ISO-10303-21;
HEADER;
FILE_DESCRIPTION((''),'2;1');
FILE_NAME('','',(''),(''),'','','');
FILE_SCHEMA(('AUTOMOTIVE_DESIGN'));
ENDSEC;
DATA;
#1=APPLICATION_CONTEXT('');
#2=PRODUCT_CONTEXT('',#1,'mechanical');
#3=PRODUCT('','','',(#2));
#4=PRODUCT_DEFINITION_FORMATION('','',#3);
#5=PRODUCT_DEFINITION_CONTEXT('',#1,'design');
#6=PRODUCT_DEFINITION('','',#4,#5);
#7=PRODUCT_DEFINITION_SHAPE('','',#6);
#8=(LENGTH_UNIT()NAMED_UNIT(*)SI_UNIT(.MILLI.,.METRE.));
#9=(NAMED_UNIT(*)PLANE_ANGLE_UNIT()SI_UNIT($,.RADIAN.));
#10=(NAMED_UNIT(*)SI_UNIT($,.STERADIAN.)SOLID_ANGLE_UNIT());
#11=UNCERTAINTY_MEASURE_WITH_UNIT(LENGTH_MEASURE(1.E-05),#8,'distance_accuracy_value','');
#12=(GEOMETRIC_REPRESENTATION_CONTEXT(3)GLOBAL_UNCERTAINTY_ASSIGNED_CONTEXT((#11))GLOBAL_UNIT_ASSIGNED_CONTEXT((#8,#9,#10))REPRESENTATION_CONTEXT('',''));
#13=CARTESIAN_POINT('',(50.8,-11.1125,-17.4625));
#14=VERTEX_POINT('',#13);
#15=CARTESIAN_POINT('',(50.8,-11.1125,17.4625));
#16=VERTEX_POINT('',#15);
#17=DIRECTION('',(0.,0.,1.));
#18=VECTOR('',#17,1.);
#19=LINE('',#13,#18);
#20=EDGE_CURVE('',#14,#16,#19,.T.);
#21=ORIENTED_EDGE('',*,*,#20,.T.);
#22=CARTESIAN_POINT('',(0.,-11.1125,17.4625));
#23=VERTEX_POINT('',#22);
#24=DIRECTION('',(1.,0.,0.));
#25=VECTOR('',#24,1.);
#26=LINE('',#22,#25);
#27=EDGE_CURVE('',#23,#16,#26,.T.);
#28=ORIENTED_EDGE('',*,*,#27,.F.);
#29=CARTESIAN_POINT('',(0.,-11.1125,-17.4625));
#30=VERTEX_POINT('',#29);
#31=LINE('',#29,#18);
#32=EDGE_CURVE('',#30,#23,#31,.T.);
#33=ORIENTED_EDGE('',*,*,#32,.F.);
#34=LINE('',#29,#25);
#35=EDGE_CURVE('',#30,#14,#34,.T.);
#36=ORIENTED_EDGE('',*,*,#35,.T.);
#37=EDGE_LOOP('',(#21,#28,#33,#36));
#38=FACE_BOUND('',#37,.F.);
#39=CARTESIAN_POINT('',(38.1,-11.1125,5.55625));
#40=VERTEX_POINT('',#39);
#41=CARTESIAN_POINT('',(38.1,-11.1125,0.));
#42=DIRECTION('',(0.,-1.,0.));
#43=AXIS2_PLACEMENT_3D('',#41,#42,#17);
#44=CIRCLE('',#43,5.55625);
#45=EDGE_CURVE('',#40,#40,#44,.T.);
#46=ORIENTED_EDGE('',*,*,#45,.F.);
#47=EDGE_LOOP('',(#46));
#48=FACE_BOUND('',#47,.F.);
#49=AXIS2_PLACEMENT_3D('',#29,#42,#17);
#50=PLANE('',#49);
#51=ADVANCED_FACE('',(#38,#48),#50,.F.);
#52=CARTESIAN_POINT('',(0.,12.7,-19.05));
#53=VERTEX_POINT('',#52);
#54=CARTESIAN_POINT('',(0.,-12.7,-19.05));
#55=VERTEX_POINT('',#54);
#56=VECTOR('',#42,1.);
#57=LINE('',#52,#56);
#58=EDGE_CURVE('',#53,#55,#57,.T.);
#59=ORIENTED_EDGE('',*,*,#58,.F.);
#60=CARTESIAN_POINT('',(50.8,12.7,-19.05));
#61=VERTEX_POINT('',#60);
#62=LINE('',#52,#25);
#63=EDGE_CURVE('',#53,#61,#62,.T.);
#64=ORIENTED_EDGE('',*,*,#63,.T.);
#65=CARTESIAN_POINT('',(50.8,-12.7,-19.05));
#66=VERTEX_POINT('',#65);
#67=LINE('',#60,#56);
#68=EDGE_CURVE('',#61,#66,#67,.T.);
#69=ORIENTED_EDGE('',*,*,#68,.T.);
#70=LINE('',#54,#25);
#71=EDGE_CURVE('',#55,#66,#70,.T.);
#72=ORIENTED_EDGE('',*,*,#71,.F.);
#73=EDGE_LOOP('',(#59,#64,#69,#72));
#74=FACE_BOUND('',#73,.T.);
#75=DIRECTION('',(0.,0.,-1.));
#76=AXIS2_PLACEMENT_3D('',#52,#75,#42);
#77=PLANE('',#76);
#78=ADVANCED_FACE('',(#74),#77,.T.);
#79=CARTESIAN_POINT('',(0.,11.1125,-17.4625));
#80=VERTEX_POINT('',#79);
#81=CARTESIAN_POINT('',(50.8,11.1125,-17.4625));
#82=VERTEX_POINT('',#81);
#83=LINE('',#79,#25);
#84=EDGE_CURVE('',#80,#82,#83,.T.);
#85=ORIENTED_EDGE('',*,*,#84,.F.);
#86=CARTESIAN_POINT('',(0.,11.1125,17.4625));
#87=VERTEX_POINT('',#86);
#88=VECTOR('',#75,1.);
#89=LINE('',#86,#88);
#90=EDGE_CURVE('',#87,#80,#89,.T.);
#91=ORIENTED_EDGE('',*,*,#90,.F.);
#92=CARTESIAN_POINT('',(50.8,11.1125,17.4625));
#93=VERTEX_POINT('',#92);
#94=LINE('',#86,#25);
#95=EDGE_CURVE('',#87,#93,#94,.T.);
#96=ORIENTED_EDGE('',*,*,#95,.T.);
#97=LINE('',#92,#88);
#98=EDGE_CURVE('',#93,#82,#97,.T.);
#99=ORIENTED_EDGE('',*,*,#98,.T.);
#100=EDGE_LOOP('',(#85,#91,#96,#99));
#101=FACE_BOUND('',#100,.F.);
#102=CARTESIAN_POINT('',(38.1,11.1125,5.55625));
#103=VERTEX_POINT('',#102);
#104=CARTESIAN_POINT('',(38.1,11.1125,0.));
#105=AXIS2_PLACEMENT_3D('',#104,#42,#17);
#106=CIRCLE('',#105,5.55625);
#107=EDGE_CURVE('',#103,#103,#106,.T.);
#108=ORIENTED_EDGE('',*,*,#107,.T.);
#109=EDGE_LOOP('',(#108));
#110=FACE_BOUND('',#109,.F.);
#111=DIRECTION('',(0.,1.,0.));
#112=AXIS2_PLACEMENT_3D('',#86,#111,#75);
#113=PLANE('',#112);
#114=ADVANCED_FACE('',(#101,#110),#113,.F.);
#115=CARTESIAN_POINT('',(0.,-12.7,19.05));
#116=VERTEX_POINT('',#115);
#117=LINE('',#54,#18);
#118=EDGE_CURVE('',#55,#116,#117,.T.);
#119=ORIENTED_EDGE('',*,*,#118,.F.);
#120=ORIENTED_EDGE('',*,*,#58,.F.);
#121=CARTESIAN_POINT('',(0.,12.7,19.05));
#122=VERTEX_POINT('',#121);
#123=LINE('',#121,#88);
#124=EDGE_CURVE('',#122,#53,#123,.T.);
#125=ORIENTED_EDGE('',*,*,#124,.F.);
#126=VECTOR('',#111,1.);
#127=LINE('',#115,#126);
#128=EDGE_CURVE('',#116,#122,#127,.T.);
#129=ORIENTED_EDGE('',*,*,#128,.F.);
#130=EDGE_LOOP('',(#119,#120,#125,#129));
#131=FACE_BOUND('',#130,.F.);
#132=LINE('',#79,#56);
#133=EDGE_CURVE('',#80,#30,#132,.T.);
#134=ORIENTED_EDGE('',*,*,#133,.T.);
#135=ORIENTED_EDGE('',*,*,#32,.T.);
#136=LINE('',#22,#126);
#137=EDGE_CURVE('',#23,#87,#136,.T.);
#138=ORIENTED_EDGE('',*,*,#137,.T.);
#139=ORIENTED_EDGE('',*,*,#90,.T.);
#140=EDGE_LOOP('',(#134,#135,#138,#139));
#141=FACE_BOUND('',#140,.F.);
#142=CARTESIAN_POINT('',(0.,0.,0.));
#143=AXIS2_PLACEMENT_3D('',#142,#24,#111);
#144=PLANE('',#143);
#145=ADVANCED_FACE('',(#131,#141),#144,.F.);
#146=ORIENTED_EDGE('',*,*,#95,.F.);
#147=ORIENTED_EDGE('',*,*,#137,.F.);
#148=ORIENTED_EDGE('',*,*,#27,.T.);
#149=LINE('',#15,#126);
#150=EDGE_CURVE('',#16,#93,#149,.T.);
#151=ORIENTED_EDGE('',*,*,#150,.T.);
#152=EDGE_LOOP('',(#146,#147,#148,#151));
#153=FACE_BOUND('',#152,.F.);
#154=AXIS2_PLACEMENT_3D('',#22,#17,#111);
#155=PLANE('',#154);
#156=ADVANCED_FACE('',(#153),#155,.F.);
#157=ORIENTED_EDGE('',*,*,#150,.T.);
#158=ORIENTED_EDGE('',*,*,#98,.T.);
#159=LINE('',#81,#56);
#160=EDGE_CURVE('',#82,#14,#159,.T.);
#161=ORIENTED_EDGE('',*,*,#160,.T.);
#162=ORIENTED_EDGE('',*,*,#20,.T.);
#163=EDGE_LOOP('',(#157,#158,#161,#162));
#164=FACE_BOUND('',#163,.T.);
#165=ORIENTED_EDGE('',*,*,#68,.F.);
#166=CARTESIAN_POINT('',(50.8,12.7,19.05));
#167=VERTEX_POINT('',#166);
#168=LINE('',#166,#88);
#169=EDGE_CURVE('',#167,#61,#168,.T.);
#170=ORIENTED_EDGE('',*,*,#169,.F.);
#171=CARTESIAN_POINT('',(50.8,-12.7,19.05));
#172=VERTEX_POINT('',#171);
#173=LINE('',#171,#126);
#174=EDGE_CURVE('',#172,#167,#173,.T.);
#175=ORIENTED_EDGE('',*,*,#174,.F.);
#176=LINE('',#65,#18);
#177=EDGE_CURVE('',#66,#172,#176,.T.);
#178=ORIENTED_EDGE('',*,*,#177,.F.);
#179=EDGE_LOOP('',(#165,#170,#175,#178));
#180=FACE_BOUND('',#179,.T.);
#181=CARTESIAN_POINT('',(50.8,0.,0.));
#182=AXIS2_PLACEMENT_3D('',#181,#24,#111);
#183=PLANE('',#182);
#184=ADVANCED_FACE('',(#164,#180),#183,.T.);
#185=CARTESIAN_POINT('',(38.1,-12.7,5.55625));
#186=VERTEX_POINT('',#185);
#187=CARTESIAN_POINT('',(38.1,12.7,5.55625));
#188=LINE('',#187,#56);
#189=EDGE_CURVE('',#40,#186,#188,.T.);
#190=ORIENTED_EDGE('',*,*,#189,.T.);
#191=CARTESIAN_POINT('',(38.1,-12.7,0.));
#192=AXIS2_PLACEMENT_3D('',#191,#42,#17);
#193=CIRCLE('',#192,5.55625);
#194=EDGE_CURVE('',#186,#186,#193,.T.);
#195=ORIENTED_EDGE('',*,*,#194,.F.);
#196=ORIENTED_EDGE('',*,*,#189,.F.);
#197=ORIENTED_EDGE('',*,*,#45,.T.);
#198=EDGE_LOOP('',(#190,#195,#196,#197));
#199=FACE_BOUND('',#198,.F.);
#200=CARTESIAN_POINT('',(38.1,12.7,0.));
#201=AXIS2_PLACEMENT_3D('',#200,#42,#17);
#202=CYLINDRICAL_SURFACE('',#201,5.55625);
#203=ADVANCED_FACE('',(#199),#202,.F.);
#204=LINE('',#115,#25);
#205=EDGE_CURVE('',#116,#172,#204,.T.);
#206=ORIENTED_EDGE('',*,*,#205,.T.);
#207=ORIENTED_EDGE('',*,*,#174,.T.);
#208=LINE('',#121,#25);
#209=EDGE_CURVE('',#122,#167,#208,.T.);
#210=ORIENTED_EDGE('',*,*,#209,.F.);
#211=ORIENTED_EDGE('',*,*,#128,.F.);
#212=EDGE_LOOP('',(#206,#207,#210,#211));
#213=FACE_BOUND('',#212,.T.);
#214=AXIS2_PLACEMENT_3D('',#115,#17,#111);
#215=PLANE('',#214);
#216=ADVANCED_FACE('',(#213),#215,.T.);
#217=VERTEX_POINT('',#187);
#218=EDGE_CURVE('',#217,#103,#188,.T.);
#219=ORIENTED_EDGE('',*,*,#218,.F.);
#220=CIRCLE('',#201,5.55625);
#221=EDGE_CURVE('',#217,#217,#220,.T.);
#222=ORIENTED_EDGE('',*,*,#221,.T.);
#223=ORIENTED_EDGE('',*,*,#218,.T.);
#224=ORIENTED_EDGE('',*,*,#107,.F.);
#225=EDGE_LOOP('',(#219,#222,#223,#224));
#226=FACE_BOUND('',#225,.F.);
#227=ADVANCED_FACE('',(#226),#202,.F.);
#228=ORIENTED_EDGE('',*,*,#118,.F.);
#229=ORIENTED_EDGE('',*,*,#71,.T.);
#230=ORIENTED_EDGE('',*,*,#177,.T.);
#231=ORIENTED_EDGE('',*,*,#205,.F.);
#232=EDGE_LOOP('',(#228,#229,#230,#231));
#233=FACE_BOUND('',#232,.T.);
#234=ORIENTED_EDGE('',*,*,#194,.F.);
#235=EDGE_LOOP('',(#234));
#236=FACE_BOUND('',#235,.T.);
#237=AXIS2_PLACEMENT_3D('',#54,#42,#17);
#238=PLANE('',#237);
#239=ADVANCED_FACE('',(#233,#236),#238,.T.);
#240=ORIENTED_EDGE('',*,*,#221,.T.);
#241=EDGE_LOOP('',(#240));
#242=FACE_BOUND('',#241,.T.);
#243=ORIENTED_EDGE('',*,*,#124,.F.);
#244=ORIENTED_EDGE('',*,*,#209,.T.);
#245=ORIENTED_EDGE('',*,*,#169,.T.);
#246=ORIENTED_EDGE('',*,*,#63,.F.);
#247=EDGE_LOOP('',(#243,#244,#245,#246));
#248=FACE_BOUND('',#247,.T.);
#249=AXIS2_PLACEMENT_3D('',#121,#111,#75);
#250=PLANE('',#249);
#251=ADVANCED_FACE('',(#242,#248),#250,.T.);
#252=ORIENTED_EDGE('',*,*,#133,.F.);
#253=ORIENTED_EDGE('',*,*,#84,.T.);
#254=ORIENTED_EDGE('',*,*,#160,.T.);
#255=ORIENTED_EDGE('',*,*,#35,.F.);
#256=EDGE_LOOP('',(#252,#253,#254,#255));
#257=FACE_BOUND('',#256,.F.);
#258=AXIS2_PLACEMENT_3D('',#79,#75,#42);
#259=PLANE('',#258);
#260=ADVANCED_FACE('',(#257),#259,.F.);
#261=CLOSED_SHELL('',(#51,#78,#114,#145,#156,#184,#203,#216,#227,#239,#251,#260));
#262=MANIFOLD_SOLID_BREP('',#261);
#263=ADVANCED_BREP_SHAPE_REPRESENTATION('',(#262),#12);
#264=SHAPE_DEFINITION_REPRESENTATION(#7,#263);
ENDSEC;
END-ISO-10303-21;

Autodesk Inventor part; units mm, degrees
ref_plane "Work Plane3" through (0, 12.7, 0) normal (0, 1, 0) x (-1, 0, 0)
ref_plane "Start Plane" through (0, 0, 0) normal (1, 0, 0) x (0, 1, 0)
ref_plane "End Plane" through (50.8, 0, 0) normal (1, 0, 0) x (0, 1, 0)
sketch "Sketch" plane through (0, 0, 0) normal (1, 0, 0) x (0, 1, 0)
  line L0 (-12.7, 19.05) -> (12.7, 19.05)
  line L1 (12.7, 19.05) -> (12.7, -19.05)
  line L2 (12.7, -19.05) -> (-12.7, -19.05)
  line L3 (-12.7, -19.05) -> (-12.7, 19.05)
  line L4 (-12.7, 19.05) -> (12.7, -19.05) construction
  line L5 (12.7, 19.05) -> (-12.7, -19.05) construction
  line L6 (-11.1125, 17.4625) -> (11.1125, 17.4625)
  line L7 (11.1125, 17.4625) -> (11.1125, -17.4625)
  line L8 (11.1125, -17.4625) -> (-11.1125, -17.4625)
  line L9 (-11.1125, -17.4625) -> (-11.1125, 17.4625)
  line L10 (-11.1125, 17.4625) -> (11.1125, -17.4625) construction
  line L11 (11.1125, 17.4625) -> (-11.1125, -17.4625) construction
  point P0 (0, 0)
  dimension "d0" = 38.1
  dimension "d1" = 25.4
  dimension "d2" = 1.5875
  dimension "d3" = 1.5875
extrude "Body" add sketch "Sketch" along normal up to surface (50.8 mm away) from surface at 0
sketch "Sketch8" plane through (0, 0, 0) normal (1, 0, 0) x (0, 1, 0)
  line L0 (0, 0) -> (10, 0)
ref_plane "Work Plane6" through (0, 0, 0) normal (0, 0, -1) x (0, 1, 0)
sketch "Sketch9" plane through (0, 0, 0) normal (0, 0, -1) x (0, 1, 0)
  line L0 (-17.78, 0) -> (17.78, 0)
  line L1 (-17.78, 50.8) -> (17.78, 50.8)
  dimension "d21" = 50.8
sketch "Sketch5" plane through (0, 12.7, -19.05) normal (0, 1, 0) x (1, 0, 0)
  line L0 (0, -38.1) -> (0, 0) projected
  point P0 (0, -19.05)
  point P1 (38.1, -19.05)
  dimension "d22" = 38.1
hole "Hole2" at (38.1, 12.7, 0) direction (0, -1, 0) diameter 11.1125 end through all
equation "\"d3\" = d2"
equation "\"G_OFFSET_START\" = 0"
equation "\"G_OFFSET_END\" = 0"
equation "\"d17\" = d4 + G_OFFSET_END"
equation "\"G_L\" = d21"
equation "\"d4\" = 50.8"
properties part number "1605682955120"
